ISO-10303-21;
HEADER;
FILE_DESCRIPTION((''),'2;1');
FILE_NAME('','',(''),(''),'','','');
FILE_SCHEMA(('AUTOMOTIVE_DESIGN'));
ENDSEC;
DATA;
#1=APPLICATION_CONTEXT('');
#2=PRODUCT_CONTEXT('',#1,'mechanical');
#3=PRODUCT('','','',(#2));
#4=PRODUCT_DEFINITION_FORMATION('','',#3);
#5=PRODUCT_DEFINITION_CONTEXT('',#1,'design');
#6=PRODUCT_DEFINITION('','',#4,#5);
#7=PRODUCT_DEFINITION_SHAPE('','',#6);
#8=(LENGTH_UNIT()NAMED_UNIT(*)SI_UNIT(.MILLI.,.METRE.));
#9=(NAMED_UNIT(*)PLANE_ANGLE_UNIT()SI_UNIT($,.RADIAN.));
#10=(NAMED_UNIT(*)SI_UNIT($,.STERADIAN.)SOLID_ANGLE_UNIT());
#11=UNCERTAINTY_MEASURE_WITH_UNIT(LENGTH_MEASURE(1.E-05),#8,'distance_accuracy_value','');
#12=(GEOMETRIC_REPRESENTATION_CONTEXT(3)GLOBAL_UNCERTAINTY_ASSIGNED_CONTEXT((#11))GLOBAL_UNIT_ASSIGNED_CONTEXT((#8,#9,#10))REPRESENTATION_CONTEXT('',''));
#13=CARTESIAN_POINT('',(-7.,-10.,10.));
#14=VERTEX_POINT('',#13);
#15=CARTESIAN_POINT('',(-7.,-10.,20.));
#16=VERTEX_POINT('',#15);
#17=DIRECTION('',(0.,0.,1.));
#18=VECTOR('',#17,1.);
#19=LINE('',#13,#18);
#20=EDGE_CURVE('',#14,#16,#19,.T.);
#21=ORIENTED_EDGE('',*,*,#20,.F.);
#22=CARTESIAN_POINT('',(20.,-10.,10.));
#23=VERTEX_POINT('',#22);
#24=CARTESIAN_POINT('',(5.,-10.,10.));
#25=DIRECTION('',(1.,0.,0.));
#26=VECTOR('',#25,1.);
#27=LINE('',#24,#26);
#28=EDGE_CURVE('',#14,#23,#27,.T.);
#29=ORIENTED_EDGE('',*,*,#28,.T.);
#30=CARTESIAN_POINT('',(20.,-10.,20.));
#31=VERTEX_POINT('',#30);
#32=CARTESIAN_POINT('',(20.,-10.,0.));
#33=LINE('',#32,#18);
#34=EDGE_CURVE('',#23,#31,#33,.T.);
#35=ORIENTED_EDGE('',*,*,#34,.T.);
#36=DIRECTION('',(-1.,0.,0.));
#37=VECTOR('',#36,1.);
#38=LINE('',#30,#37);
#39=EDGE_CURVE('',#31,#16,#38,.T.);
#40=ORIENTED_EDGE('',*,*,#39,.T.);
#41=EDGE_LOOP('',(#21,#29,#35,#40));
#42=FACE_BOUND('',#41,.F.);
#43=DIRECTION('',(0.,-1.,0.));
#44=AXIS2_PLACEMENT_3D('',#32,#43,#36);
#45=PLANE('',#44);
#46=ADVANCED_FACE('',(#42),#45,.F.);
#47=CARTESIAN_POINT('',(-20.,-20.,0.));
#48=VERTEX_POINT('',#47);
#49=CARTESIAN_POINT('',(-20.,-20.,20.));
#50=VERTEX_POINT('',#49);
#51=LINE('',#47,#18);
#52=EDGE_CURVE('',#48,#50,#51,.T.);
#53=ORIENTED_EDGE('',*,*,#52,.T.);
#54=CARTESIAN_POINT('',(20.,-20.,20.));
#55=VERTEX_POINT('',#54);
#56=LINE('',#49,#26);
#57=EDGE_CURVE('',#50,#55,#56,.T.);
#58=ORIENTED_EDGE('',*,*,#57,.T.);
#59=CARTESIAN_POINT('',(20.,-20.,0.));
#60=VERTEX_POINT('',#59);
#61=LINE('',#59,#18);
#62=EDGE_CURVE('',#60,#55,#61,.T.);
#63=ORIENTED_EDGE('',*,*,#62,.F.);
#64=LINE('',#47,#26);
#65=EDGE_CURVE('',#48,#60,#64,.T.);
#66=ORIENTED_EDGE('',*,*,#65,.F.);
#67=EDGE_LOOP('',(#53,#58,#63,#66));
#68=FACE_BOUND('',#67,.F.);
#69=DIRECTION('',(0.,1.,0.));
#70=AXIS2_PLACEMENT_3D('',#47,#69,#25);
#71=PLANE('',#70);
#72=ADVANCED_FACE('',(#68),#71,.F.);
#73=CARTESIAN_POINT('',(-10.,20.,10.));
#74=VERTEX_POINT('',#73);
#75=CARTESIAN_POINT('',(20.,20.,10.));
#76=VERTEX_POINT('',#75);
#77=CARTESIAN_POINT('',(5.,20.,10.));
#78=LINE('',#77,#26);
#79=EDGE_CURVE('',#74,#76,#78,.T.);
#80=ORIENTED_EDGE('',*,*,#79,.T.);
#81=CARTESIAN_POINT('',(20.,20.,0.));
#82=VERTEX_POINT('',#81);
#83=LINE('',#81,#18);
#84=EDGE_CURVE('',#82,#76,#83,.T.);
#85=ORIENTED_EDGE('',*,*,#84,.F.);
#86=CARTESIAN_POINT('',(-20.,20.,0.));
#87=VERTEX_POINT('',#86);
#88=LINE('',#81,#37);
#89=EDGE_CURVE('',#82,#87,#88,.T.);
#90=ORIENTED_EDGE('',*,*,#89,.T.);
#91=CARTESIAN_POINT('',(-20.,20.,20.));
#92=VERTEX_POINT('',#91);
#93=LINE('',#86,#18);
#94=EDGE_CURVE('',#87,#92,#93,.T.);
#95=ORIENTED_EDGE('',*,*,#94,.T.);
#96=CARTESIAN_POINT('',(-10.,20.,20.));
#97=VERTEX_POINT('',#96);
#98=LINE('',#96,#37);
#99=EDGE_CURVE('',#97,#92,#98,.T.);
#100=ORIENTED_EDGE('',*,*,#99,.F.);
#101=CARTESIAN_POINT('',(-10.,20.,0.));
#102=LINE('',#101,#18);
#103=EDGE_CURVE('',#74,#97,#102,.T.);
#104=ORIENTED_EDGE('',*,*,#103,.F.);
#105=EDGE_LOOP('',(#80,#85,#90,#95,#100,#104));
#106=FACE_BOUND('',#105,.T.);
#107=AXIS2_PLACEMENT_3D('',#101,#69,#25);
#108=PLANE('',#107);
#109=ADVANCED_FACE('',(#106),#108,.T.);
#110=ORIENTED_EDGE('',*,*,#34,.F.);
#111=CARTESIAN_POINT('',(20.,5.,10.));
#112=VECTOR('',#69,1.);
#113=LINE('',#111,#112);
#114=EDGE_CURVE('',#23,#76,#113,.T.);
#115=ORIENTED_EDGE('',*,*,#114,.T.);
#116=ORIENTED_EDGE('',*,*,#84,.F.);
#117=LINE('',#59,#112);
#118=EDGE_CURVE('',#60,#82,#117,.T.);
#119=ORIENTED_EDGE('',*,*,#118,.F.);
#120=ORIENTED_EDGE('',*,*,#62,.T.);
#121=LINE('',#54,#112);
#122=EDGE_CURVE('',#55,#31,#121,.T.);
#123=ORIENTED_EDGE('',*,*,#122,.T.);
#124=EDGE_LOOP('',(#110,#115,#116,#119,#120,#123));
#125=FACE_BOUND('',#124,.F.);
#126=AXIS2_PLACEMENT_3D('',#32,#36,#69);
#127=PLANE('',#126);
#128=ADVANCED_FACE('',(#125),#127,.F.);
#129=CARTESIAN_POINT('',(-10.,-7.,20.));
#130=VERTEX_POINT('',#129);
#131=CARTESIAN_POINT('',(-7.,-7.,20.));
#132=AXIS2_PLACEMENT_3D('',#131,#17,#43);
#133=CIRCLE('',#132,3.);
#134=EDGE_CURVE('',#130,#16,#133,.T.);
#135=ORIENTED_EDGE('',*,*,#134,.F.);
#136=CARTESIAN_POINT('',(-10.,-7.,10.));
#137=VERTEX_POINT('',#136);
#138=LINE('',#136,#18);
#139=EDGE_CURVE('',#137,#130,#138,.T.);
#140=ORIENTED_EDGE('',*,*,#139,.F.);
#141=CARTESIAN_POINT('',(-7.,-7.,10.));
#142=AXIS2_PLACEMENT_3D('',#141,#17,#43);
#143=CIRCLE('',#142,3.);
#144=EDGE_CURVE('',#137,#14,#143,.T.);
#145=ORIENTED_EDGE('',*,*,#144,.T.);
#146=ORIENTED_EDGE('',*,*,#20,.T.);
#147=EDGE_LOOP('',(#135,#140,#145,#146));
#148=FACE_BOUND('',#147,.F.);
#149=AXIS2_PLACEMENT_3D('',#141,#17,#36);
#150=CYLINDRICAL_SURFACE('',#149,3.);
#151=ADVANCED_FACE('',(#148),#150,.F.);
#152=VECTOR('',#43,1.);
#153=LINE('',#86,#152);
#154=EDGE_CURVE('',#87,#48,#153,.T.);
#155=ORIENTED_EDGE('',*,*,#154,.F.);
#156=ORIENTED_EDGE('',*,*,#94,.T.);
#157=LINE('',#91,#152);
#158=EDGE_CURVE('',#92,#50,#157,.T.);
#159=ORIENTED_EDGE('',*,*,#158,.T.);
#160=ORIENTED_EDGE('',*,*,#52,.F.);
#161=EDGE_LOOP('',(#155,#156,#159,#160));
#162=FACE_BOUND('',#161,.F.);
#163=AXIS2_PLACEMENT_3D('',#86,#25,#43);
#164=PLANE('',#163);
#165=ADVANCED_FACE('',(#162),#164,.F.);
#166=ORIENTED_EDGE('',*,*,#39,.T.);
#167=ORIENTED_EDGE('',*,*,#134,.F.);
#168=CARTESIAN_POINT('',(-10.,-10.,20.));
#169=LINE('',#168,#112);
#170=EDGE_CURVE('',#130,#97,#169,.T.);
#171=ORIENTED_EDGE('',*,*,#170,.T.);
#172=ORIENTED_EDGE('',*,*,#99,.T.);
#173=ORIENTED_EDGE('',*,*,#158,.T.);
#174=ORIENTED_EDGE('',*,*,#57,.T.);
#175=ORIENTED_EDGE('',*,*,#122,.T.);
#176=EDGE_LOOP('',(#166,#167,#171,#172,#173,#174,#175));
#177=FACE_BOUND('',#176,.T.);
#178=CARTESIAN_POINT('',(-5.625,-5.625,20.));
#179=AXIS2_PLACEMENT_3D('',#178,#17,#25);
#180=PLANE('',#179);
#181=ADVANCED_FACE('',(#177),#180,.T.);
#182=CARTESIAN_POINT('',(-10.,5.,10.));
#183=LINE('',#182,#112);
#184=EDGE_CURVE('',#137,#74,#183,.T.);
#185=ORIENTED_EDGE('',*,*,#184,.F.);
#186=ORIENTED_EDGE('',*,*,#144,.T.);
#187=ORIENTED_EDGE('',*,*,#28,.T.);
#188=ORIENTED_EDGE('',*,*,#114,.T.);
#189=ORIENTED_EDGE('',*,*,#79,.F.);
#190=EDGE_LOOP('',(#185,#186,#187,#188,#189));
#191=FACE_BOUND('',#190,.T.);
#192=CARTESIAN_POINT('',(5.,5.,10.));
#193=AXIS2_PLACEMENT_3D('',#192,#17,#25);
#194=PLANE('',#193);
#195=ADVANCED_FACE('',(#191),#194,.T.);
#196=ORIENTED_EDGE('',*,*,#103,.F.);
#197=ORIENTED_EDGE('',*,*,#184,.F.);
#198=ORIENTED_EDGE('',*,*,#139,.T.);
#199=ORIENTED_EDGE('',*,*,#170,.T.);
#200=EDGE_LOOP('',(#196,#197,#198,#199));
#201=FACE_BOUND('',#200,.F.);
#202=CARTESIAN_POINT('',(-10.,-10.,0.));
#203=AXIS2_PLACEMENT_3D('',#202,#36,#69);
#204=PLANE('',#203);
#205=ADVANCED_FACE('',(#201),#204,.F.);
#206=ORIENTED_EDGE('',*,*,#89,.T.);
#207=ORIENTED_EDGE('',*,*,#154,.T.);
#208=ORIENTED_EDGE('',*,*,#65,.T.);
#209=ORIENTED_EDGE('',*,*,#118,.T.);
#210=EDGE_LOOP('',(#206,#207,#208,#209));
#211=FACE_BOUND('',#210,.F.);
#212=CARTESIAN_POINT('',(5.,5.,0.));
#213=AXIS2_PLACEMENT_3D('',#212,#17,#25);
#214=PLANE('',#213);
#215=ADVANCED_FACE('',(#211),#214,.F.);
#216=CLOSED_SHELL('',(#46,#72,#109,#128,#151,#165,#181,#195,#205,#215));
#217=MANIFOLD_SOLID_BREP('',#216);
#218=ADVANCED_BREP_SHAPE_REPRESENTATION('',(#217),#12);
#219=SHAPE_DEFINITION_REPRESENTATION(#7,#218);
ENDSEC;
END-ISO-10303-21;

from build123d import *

# Parameters (mm, degrees)
F1_DEPTH = 20
F0_W     = 30
F0_H     = 30
F2_DEPTH = 10
F3_R     = 3


with BuildPart() as f1:
    # F0 (on Top) → F1 (new body)
    with BuildSketch(Plane.XY):
        Polygon((-20, -20), (20, -20), (20, -10), (-10, -10), (-10, 20), (-20, 20), align=None)
    extrude(amount=F1_DEPTH)

    # F0 (on Top) → F2 (join)
    with BuildSketch(Plane.XY):
        with Locations((5, 5)):
            Rectangle(F0_W, F0_H)
    extrude(amount=F2_DEPTH)

    # F3
    f3_edges = [f1.edges().sort_by_distance(p)[0] for p in [
        (-10, -10, 15),
    ]]
    fillet(f3_edges, radius=F3_R)


solid = f1.part
